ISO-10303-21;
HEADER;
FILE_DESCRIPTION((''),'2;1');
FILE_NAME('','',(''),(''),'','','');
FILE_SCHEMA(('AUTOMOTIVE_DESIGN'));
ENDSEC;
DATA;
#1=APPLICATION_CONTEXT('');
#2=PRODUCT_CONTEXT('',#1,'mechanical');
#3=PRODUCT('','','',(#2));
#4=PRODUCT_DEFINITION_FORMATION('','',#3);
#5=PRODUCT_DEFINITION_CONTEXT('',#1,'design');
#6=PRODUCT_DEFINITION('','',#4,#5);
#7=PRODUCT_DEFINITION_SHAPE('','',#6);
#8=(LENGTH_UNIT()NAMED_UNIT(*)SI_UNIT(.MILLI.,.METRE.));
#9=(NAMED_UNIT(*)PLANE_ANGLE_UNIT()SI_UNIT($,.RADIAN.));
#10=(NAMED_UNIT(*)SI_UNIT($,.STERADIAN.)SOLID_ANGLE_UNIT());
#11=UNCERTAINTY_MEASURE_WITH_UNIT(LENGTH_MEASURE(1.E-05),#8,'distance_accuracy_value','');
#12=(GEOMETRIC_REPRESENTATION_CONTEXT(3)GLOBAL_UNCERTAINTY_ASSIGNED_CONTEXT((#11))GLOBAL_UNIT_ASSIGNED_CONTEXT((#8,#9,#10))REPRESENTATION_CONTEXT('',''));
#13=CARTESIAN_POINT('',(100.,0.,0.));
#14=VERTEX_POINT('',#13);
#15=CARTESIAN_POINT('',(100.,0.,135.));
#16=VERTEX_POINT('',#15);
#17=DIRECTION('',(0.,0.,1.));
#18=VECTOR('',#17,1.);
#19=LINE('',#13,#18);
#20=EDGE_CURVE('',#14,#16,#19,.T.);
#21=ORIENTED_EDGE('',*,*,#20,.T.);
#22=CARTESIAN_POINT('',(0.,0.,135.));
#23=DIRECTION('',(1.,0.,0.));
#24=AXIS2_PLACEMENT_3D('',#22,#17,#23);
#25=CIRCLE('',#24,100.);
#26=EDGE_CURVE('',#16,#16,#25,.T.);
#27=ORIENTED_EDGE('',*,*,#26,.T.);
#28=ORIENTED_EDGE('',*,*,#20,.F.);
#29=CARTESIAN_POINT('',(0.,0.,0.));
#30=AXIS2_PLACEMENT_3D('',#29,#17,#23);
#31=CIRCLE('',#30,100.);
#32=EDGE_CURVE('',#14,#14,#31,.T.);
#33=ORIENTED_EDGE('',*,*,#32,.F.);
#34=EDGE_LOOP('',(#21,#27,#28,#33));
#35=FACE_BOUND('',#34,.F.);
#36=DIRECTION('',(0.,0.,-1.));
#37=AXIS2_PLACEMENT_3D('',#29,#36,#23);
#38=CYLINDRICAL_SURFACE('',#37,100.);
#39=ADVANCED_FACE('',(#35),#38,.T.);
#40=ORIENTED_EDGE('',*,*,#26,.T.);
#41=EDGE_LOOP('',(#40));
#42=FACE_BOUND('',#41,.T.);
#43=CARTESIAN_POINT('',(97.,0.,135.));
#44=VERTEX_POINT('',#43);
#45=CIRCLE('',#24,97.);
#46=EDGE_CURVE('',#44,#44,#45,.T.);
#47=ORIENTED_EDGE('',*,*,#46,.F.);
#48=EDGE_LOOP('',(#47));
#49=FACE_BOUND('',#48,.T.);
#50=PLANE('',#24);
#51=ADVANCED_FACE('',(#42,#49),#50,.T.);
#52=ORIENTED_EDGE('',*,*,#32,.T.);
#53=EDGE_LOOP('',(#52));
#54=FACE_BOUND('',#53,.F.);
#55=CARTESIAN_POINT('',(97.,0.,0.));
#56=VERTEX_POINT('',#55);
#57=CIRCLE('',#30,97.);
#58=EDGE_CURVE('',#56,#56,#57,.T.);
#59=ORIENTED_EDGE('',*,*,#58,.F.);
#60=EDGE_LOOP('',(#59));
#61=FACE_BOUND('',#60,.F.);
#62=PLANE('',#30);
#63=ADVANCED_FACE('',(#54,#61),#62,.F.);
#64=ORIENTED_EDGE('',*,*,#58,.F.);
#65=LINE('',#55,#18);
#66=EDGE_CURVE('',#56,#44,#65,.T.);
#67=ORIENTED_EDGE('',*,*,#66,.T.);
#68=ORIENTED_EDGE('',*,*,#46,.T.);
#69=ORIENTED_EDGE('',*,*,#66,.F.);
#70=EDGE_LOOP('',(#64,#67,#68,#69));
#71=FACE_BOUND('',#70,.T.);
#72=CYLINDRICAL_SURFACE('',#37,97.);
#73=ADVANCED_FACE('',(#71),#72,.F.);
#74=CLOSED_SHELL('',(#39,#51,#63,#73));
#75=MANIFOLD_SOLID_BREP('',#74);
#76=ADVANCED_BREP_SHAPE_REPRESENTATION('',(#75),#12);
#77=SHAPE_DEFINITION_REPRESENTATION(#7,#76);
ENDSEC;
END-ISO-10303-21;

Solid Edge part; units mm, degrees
sketch "Sketch1" plane through (0, 0, 0) normal (0, 0, 1) x (1, 0, 0)
  circle A0 centre (0, 0) radius 100
  circle A1 centre (0, 0) radius 97
  dimension "D1" = 3
extrude "Protrusion1" add sketch "Sketch1" along normal blind 135
properties material "Polycarbonate"
